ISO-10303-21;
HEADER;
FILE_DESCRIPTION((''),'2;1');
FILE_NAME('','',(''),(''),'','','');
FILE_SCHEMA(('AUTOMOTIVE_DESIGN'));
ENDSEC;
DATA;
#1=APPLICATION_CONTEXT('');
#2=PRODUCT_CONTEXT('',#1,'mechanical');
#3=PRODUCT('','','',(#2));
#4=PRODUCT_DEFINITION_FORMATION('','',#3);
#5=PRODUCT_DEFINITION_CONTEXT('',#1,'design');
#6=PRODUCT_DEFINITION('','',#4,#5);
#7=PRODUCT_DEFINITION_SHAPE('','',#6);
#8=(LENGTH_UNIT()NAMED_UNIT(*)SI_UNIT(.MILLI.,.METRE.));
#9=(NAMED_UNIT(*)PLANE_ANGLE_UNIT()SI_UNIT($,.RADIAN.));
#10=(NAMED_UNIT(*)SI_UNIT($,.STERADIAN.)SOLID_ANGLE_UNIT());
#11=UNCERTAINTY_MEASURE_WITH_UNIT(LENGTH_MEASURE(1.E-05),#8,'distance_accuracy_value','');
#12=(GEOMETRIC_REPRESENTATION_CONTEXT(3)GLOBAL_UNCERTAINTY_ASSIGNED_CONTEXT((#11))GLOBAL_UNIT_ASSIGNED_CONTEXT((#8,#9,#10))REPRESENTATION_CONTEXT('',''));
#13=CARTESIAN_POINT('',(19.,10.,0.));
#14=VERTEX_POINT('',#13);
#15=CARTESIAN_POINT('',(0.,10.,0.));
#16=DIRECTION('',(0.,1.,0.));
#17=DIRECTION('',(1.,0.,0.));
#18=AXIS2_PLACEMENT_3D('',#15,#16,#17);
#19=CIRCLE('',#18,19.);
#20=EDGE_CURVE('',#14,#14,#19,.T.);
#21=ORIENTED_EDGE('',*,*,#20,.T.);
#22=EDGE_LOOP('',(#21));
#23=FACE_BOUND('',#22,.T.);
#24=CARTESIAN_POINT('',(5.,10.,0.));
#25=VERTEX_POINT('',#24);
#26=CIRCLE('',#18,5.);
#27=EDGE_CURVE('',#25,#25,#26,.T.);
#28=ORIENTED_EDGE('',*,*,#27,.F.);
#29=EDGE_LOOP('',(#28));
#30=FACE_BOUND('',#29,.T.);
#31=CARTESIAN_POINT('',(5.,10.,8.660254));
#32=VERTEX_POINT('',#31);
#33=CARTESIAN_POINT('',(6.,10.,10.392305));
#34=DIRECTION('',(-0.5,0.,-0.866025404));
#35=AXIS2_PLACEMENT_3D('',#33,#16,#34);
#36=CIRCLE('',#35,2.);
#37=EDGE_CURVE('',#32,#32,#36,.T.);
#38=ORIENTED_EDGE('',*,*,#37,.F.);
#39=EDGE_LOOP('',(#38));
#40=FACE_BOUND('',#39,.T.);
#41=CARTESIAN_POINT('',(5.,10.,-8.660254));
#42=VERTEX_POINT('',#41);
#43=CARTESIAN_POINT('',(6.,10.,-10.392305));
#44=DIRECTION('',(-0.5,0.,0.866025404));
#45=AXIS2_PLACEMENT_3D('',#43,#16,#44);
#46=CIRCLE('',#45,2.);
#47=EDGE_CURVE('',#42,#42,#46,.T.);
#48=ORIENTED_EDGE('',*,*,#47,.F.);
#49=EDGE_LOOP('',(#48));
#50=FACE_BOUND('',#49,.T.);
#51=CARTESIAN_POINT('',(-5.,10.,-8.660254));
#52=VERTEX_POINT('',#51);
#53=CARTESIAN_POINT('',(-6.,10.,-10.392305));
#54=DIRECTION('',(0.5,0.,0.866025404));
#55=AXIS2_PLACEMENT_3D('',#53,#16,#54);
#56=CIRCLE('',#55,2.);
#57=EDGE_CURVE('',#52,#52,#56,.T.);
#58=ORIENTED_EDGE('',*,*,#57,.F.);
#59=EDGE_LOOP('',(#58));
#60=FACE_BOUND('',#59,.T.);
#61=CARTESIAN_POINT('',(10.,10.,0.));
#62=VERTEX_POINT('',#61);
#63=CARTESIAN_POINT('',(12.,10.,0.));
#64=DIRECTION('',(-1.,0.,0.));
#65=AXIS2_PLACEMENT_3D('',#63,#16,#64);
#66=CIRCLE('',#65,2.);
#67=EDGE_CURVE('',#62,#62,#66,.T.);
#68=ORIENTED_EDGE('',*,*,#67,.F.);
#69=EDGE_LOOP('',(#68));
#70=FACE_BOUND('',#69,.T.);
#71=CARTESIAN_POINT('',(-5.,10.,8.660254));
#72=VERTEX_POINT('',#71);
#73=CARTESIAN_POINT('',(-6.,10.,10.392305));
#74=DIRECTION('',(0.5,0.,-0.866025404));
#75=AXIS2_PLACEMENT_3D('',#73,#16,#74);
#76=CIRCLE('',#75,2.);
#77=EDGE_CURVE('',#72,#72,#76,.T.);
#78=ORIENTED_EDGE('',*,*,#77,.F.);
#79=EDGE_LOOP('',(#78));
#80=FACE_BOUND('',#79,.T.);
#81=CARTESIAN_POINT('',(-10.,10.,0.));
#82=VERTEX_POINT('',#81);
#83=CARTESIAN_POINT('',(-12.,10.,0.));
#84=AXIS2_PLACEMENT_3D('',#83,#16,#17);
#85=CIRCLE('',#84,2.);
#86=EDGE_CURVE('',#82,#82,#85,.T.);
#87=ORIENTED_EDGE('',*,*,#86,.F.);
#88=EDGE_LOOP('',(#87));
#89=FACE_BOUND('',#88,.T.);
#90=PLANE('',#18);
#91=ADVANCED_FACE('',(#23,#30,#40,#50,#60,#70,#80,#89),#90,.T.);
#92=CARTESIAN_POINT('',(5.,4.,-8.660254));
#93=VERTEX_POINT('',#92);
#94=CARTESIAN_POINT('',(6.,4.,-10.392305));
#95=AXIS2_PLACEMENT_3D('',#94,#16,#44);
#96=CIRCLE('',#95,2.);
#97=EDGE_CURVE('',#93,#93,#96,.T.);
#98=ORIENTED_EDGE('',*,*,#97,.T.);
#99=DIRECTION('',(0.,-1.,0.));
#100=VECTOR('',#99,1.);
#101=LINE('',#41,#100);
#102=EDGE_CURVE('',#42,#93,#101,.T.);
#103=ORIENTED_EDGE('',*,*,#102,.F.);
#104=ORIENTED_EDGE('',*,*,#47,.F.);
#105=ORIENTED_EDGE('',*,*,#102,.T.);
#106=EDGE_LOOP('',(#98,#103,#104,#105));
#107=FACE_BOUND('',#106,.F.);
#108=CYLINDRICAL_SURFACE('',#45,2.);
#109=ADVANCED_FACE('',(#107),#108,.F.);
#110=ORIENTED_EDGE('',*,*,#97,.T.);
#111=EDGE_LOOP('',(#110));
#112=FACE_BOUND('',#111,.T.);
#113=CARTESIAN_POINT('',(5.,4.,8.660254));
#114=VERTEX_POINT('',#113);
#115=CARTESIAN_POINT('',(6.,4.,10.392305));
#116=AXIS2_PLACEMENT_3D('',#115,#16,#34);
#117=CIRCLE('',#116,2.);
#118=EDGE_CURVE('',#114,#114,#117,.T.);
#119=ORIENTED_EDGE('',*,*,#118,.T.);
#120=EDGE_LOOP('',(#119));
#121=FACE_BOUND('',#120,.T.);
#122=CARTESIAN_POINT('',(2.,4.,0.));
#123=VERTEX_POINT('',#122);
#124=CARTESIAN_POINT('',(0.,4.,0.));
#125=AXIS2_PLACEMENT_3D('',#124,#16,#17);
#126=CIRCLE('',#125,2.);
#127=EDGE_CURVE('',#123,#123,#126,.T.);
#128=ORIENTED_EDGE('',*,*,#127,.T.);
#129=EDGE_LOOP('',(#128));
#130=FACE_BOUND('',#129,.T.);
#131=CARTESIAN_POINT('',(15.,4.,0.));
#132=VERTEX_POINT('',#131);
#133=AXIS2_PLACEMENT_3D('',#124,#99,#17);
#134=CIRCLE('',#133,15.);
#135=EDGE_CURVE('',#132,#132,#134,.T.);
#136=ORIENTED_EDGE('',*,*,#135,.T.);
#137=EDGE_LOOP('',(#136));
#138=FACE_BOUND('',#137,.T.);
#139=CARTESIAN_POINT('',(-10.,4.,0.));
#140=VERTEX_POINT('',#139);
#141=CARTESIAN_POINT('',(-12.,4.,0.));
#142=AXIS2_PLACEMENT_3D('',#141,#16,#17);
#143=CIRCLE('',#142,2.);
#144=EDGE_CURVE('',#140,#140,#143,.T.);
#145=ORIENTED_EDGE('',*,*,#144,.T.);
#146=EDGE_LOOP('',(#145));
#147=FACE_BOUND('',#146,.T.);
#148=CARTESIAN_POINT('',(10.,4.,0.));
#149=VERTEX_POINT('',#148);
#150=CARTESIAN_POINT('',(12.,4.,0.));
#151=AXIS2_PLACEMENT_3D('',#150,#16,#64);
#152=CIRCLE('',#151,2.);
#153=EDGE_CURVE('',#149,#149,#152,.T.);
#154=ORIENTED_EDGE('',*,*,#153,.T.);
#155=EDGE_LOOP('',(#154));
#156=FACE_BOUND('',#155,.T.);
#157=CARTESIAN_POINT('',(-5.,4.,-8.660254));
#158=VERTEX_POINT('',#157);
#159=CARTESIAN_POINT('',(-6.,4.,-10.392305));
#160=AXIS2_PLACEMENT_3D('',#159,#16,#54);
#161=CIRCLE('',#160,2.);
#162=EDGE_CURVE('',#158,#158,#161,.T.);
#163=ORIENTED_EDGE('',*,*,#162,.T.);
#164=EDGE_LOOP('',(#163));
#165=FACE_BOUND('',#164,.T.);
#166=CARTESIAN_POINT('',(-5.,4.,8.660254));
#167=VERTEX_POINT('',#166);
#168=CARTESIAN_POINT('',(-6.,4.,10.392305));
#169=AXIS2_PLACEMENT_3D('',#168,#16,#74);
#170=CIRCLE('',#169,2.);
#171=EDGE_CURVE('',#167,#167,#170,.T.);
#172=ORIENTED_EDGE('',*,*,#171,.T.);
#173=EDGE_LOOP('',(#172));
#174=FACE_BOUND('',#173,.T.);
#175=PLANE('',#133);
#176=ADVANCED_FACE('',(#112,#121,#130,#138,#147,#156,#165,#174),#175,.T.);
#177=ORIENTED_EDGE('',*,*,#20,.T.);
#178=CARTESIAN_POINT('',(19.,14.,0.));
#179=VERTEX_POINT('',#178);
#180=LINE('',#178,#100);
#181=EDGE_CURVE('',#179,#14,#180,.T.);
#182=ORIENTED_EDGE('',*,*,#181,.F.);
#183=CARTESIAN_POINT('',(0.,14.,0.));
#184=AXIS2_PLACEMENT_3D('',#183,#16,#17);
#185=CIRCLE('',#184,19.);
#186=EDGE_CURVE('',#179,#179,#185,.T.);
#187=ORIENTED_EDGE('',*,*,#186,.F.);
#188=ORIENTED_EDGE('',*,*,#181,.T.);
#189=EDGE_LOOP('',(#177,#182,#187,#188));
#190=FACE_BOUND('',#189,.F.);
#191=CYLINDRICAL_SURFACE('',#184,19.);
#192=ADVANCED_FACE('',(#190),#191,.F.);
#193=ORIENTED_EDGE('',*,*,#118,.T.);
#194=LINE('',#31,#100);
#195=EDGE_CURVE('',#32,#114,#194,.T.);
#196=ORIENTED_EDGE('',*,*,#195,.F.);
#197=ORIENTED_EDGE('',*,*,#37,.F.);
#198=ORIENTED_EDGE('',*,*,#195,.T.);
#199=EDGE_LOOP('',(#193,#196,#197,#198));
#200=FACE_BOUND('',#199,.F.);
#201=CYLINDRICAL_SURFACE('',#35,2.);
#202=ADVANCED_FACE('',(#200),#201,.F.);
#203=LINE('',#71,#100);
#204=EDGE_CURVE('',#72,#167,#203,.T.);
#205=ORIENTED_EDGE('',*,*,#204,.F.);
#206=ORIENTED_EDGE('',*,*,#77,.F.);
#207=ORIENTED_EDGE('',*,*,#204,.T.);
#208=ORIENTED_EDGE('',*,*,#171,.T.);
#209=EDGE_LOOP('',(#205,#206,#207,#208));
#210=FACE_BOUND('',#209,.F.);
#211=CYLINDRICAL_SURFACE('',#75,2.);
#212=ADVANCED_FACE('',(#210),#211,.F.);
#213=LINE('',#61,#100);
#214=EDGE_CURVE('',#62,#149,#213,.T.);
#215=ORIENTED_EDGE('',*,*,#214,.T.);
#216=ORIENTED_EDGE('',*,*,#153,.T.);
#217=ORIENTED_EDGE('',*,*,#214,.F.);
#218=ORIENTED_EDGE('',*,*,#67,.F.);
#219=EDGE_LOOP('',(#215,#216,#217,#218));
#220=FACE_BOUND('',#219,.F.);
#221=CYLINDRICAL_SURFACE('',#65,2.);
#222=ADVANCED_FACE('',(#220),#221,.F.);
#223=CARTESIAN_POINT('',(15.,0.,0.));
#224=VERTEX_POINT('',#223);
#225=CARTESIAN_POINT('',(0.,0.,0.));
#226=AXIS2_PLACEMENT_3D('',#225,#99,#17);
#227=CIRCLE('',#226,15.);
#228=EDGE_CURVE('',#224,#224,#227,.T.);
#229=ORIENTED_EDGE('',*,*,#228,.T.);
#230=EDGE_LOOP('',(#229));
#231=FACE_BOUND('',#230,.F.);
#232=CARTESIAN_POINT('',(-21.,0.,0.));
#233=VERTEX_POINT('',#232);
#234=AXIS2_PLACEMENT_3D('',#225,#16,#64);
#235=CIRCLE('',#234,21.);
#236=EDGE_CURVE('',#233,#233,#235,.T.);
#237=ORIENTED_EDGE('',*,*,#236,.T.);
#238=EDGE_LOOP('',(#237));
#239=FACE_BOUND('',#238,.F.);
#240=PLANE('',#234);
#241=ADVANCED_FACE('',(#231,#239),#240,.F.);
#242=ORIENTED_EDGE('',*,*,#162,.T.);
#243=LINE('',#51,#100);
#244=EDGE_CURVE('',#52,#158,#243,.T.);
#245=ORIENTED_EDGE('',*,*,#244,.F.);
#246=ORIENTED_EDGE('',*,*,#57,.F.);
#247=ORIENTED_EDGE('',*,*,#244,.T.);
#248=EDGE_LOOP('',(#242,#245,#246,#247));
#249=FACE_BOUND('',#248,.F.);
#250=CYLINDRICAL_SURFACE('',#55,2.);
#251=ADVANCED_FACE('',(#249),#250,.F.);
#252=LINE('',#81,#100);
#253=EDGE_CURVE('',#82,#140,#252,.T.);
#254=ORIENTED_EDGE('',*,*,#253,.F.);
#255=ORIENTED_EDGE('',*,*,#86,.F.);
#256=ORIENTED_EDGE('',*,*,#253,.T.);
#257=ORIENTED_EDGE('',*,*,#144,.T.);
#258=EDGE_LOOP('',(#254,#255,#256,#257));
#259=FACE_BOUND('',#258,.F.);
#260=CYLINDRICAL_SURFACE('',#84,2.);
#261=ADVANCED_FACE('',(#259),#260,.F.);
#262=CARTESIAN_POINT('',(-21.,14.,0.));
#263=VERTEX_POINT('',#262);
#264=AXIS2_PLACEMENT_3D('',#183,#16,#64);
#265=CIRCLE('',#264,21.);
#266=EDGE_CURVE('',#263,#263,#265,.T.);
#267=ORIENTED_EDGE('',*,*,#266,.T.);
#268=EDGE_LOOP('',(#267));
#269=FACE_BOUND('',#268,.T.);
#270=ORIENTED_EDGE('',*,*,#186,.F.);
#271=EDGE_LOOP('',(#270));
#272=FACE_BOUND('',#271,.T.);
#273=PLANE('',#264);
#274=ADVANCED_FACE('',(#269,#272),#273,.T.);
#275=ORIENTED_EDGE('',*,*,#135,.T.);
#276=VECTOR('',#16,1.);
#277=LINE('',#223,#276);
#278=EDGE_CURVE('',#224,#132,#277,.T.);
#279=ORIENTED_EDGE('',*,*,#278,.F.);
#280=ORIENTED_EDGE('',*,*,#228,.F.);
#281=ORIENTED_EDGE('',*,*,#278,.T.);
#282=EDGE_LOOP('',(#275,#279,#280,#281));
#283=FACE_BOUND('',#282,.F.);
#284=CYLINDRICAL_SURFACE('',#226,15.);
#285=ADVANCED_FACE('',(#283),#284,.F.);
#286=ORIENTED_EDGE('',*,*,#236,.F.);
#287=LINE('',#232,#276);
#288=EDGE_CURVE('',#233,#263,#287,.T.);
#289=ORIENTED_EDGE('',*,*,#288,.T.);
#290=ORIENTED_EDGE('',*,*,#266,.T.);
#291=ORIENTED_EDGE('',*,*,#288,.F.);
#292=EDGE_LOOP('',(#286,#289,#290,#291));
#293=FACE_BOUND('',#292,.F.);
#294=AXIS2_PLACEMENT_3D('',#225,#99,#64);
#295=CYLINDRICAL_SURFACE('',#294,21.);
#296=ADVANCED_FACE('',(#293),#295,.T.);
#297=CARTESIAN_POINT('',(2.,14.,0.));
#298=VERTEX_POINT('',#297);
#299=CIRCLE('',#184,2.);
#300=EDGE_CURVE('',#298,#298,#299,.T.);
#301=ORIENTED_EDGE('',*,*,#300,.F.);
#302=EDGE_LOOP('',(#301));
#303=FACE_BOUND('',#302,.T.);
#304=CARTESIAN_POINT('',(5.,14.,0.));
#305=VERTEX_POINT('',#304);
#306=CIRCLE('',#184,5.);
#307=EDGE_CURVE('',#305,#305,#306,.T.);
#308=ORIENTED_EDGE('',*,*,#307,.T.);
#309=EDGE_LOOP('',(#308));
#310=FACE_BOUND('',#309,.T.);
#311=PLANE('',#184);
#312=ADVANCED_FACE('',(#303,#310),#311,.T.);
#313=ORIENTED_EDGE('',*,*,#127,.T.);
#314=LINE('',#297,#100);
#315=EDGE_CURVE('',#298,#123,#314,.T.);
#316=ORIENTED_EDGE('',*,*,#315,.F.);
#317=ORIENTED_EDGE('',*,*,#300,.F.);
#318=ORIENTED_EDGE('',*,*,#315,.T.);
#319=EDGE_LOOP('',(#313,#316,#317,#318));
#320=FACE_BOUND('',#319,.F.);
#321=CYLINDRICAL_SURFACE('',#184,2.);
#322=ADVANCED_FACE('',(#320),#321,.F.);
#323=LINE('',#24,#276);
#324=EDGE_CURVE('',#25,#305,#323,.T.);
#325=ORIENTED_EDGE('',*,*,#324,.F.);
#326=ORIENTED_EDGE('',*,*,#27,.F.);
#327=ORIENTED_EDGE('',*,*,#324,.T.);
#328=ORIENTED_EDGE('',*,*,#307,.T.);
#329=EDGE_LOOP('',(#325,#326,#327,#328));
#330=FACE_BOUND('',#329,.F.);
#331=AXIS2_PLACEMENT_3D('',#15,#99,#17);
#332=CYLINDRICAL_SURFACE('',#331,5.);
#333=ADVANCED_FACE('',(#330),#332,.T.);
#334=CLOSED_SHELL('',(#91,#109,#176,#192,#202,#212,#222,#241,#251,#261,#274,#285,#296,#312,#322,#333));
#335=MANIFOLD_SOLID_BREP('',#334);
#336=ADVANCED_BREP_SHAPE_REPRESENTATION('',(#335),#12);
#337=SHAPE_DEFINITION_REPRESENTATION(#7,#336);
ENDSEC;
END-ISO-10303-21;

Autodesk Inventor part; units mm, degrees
ref_plane "YZ Plane" through (0, 0, 0) normal (1, 0, 0) x (0, 1, 0)
ref_plane "XZ Plane" through (0, 0, 0) normal (0, 1, 0) x (-1, 0, 0)
ref_plane "XY Plane" through (0, 0, 0) normal (0, 0, 1) x (1, 0, 0)
sketch "Sketch1" plane through (0, 0, 0) normal (0, 1, 0) x (-1, 0, 0)
  circle A0 centre (0, 0) radius 21
  dimension "d0" = 42
extrude "Extrusion1" add sketch "Sketch1" along normal blind 14
sketch "Sketch2" plane through (0, 14, 0) normal (0, 1, 0) x (1, 0, 0)
  circle A0 centre (0, 0) radius 19
  dimension "d3" = 38
extrude "Extrusion2" cut sketch "Sketch2" against normal blind 4
sketch "Sketch3" plane through (0, 10, 0) normal (0, 1, 0) x (1, 0, 0)
  circle A0 centre (0, 0) radius 5
  dimension "d6" = 10
extrude "Extrusion3" add sketch "Sketch3" along normal blind 4
sketch "Sketch4" plane through (0, 14, 0) normal (0, 1, 0) x (1, 0, 0)
  circle A0 centre (0, 0) radius 2
  dimension "d9" = 4
extrude "Extrusion4" cut sketch "Sketch4" against normal blind 14
sketch "Sketch5" plane through (0, 0, 0) normal (0, -1, 0) x (1, 0, 0)
  circle A0 centre (0, 0) radius 15
  dimension "d12" = 30
extrude "Extrusion5" cut sketch "Sketch5" against normal blind 4
sketch "Sketch6" plane through (0, 10, 0) normal (0, 1, 0) x (1, 0, 0)
  circle A0 centre (0, 0) radius 2 projected
  line L0 (0, 0) -> (-12, 0)
  circle A1 centre (-12, 0) radius 2
  dimension "d15" = 12
  dimension "d16" = 4
extrude "Extrusion6" cut sketch "Sketch6" against normal blind 14 contours A1
pattern_circular "Circular Pattern1" count 6 over 360 about axis through (0, 14, 0) along (0, -1, 0) of "Extrusion6"
properties part number "valve"
